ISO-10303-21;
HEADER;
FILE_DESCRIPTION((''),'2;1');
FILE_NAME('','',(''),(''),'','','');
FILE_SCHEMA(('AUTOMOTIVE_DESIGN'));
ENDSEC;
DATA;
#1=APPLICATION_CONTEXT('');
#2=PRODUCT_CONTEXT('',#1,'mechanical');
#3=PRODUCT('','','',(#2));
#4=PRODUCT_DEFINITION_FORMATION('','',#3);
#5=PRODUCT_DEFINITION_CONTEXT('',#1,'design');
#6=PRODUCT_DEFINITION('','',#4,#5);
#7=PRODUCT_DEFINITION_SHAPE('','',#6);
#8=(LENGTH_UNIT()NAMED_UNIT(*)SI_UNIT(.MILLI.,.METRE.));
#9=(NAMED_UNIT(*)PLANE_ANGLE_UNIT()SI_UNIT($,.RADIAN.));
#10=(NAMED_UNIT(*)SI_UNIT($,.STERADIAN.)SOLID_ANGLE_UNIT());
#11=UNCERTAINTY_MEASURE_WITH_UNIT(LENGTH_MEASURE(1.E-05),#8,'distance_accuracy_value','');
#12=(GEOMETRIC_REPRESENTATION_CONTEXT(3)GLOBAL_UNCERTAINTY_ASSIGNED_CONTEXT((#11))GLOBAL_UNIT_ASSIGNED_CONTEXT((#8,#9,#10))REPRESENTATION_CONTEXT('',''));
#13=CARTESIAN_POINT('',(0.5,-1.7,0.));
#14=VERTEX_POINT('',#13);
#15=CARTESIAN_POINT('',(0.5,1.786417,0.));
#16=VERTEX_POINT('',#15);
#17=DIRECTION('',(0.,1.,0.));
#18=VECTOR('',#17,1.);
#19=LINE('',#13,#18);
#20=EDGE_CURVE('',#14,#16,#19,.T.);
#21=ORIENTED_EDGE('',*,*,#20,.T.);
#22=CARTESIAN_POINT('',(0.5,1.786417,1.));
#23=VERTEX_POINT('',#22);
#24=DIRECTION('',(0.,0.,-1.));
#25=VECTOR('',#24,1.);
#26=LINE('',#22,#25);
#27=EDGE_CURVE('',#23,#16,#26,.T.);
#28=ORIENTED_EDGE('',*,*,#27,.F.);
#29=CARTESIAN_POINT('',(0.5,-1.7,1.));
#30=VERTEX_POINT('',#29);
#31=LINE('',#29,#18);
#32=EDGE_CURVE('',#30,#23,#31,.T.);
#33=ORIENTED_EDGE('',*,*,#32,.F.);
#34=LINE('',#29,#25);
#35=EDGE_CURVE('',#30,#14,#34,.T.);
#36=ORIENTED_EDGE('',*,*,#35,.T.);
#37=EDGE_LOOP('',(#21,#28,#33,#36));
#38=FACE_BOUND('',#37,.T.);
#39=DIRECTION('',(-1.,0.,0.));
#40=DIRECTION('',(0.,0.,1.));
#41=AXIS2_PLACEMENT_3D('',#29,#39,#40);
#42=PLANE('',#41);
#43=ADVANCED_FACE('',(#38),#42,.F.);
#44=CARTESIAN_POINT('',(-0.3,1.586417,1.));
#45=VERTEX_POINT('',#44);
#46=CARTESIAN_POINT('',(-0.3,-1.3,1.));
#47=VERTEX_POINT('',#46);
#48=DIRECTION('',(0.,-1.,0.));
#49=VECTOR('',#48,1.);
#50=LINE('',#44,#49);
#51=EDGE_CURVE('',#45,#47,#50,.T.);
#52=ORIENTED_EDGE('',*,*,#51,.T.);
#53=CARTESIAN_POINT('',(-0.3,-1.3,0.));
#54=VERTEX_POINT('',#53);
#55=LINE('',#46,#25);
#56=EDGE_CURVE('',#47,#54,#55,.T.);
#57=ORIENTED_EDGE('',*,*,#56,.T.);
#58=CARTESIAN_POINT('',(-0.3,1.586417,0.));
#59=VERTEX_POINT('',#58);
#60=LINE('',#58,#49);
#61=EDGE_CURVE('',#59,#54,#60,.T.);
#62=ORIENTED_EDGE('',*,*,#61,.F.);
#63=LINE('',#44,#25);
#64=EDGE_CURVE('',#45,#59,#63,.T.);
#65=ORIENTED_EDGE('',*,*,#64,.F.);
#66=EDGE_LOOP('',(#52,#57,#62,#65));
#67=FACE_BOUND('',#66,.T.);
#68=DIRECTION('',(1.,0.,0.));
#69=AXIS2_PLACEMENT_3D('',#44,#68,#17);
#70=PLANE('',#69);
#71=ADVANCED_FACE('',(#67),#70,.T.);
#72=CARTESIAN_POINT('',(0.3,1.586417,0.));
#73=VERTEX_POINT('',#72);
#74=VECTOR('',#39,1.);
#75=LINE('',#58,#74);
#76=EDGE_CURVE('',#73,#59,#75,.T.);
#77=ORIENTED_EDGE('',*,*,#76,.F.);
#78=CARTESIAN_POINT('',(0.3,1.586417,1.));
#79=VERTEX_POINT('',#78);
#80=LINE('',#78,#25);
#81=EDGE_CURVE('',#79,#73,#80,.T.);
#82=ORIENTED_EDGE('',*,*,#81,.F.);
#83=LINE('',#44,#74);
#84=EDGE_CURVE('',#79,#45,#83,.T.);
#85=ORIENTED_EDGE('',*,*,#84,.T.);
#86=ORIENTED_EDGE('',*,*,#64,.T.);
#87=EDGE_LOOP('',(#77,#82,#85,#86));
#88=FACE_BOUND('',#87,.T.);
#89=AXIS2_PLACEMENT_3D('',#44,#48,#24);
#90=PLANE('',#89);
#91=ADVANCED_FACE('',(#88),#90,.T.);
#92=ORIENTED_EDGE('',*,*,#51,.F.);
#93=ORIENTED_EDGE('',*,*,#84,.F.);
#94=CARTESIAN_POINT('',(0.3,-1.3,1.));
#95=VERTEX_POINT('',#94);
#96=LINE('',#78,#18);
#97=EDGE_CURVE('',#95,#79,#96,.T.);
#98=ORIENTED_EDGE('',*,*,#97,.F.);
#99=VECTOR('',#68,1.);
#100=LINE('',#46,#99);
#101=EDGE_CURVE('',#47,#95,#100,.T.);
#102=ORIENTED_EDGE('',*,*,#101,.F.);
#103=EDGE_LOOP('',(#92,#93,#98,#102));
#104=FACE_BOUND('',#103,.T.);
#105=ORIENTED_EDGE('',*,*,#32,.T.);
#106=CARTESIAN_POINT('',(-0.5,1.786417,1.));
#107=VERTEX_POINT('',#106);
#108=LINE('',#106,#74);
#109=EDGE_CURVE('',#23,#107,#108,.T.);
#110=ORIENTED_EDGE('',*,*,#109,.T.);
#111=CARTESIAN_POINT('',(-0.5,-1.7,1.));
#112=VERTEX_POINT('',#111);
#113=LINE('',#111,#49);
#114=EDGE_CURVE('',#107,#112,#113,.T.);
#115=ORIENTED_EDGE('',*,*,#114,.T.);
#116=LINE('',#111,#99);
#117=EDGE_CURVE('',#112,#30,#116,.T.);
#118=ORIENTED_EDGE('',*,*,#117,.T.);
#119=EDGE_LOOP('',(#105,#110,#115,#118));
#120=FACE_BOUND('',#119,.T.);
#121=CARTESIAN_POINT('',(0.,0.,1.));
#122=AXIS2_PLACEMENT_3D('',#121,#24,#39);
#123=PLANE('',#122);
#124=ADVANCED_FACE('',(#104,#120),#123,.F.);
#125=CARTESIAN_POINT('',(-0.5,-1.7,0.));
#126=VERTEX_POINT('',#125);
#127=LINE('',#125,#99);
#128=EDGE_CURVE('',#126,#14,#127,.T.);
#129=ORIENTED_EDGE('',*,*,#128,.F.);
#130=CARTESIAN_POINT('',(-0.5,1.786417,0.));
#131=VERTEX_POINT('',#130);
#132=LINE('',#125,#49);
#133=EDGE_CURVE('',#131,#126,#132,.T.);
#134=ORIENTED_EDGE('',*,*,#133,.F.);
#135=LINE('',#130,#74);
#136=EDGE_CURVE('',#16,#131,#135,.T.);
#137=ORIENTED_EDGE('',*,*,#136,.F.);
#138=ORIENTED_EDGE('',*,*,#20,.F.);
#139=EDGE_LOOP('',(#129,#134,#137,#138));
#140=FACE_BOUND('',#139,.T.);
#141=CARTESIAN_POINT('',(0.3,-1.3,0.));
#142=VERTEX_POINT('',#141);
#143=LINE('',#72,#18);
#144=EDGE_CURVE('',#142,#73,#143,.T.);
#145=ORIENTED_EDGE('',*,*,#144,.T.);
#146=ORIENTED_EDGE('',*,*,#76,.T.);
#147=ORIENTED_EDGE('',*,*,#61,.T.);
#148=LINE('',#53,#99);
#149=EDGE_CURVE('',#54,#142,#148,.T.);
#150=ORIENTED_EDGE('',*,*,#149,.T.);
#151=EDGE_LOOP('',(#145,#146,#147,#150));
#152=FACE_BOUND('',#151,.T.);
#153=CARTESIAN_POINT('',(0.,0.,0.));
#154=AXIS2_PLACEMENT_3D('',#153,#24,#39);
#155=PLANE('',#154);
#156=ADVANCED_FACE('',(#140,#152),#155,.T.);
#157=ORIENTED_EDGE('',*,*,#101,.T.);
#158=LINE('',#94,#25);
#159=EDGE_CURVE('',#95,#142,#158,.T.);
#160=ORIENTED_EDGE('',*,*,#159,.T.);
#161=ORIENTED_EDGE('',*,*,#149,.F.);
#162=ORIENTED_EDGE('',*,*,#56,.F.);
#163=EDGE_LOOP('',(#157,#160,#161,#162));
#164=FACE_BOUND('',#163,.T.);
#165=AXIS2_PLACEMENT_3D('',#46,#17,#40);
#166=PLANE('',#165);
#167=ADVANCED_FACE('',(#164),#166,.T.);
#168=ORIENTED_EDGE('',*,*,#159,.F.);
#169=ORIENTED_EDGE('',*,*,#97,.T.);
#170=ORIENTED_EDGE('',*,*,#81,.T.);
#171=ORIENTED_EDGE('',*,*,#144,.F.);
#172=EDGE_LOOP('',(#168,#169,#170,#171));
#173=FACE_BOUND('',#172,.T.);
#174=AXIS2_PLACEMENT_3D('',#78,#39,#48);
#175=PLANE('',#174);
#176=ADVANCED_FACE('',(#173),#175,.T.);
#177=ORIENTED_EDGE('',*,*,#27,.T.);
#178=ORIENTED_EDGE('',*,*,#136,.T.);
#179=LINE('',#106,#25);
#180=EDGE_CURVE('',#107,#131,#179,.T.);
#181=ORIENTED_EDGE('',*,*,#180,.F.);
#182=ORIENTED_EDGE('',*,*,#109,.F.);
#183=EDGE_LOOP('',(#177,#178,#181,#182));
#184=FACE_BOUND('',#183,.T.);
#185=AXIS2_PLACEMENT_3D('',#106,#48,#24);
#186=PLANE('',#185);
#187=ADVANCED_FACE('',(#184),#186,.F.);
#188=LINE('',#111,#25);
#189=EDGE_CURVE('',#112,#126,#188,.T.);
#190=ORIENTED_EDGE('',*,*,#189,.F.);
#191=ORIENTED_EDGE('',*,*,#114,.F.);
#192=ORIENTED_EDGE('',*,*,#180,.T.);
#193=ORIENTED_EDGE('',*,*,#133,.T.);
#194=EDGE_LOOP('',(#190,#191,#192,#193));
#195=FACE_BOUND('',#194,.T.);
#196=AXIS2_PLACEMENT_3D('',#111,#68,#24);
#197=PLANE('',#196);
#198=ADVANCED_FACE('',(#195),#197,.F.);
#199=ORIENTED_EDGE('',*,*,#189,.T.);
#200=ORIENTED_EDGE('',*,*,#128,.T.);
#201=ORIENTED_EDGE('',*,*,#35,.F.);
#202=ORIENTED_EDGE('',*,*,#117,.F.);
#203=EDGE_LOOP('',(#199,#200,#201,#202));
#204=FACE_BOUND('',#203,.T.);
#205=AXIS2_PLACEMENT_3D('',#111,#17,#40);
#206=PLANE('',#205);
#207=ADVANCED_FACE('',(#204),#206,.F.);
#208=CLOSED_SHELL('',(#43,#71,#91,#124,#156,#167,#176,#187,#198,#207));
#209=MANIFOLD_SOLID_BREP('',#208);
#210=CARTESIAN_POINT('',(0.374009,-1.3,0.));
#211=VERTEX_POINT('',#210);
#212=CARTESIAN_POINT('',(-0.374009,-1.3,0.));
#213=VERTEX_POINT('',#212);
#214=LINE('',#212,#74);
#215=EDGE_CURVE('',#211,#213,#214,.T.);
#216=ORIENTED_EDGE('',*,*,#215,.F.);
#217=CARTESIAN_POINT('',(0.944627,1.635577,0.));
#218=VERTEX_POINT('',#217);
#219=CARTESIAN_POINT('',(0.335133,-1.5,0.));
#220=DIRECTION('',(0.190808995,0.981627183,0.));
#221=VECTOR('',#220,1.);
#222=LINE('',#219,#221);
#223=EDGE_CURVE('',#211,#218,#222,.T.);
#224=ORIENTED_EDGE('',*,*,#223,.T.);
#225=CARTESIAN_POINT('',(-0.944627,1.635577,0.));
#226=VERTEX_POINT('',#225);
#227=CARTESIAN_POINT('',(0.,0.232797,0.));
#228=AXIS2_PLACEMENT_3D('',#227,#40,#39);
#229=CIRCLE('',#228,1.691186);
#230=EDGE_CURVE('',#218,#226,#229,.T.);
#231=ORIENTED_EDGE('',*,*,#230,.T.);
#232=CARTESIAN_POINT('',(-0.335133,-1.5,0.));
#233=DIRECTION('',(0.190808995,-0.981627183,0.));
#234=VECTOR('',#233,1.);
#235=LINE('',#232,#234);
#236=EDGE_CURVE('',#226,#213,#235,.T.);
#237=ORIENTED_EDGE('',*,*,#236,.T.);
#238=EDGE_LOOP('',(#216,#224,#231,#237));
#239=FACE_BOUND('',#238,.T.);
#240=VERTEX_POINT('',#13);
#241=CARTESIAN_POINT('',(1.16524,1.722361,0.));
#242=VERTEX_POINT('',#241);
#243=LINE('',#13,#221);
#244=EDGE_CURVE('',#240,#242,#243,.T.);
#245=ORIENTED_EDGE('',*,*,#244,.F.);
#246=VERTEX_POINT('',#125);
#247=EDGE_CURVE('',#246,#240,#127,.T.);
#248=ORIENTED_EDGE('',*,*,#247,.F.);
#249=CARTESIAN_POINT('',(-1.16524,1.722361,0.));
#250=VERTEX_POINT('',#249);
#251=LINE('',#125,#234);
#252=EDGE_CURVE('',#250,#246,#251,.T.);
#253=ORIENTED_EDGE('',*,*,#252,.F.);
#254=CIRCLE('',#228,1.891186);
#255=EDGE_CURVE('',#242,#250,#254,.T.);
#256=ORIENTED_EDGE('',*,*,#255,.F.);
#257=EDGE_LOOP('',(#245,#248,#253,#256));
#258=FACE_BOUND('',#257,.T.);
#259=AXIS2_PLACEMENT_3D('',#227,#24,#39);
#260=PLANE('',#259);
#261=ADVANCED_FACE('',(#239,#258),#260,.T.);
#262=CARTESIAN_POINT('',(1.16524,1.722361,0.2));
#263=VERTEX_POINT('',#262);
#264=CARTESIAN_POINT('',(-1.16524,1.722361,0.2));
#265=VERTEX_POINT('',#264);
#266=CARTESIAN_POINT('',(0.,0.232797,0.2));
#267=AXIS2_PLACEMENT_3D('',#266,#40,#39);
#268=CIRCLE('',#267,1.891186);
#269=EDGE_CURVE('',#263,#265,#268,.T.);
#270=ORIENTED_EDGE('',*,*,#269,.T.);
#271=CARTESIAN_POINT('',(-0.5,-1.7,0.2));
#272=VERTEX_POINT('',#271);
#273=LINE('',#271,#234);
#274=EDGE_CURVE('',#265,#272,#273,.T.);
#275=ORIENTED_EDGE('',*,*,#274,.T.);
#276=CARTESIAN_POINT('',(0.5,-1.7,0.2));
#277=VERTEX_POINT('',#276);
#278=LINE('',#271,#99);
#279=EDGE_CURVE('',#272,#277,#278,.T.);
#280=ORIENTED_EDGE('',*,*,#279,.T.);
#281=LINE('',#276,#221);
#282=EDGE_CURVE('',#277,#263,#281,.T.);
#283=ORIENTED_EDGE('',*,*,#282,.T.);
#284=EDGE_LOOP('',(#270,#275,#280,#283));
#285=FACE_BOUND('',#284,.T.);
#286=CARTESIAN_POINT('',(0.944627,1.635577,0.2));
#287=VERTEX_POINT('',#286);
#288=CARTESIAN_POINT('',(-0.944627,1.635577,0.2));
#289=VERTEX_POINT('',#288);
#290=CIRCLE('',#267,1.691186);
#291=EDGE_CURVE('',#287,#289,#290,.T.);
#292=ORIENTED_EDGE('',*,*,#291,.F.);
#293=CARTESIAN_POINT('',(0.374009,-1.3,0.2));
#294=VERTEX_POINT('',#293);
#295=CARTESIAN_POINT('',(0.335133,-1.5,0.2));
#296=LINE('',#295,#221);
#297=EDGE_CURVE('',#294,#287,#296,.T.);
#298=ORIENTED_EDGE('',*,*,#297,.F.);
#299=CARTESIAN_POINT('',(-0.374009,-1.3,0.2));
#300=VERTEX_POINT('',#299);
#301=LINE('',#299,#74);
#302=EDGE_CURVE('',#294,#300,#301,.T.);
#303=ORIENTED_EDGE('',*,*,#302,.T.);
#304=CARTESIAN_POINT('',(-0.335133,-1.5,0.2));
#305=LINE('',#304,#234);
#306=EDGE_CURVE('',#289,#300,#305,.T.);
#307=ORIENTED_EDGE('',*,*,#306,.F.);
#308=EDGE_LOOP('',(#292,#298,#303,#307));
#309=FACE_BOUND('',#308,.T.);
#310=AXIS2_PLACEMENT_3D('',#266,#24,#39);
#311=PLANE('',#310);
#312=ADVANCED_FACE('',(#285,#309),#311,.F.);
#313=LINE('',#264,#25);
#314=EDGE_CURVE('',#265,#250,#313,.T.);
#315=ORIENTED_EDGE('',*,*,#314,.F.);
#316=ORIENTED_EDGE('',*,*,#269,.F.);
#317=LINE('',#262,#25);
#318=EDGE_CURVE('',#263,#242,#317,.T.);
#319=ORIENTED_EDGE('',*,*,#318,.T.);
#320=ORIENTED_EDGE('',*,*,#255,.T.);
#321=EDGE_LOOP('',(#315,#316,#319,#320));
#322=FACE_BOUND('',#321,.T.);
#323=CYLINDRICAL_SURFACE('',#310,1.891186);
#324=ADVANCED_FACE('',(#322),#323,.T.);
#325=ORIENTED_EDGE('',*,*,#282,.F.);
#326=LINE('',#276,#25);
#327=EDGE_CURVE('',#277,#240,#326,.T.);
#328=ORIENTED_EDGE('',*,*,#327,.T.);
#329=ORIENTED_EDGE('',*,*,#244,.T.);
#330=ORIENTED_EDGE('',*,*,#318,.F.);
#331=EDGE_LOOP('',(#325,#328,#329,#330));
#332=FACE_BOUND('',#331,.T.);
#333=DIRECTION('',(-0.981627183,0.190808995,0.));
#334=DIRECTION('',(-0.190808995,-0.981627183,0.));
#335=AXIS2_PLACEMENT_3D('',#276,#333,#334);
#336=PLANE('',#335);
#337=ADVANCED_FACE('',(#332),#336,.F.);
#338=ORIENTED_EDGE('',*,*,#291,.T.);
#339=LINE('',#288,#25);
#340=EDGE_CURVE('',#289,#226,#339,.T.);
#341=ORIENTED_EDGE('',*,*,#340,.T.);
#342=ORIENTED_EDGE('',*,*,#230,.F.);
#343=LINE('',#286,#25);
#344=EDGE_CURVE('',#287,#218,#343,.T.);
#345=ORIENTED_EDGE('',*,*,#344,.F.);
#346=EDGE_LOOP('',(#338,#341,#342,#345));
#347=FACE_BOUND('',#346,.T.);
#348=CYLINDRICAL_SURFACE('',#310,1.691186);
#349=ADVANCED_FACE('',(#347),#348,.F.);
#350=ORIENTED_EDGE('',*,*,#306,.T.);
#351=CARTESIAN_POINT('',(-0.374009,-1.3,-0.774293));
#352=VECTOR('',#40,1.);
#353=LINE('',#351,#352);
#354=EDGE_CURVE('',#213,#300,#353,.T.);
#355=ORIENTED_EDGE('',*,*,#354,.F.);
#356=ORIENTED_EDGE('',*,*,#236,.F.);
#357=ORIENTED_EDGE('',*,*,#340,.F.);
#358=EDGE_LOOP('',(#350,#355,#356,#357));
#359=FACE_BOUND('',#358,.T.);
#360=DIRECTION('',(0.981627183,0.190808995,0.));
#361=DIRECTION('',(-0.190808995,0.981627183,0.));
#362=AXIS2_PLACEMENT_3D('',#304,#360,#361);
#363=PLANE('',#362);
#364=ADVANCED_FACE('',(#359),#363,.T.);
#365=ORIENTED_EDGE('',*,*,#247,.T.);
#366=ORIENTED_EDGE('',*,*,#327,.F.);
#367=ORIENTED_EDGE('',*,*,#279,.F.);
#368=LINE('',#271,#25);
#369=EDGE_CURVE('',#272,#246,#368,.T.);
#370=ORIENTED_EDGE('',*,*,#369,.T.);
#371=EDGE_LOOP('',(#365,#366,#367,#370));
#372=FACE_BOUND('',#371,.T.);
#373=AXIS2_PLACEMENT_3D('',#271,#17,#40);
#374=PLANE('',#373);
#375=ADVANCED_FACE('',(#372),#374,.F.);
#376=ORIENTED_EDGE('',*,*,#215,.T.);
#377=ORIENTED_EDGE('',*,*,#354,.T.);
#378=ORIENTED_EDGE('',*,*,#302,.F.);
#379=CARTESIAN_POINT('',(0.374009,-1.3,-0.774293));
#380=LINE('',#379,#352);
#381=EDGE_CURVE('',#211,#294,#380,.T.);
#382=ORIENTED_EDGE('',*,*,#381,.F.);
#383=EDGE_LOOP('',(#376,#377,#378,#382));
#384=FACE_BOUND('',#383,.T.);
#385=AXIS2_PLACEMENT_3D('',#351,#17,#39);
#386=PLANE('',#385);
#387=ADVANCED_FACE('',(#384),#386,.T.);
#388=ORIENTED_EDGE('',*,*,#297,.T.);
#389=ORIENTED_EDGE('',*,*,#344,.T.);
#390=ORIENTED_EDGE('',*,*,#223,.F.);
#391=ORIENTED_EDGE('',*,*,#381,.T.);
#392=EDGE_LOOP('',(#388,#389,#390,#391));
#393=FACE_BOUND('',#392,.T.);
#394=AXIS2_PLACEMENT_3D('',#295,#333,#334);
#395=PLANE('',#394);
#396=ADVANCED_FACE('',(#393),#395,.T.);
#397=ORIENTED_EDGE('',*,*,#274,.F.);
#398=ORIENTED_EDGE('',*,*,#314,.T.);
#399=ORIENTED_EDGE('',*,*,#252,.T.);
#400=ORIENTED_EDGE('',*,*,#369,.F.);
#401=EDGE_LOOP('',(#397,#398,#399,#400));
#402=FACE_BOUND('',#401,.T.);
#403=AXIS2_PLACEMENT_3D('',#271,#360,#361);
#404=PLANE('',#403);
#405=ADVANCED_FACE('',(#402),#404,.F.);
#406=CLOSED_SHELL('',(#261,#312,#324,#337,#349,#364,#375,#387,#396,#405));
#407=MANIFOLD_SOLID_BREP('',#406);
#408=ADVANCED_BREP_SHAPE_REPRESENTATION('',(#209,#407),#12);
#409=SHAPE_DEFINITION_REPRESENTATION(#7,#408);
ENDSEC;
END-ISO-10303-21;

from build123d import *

# Parameters (mm, degrees)
BOSS_EXTRUDE1_DEPTH = 0.2
BOSS_EXTRUDE2_DEPTH = 0.2
SKETCH4_W           = 1
SKETCH4_H           = 3.486416791
SKETCH4_W_2         = 0.6
SKETCH4_H_2         = 2.886416791
BOSS_EXTRUDE3_DEPTH = 1


with BuildPart() as part:
    # Sketch1 → Boss-Extrude1 (new body)
    with BuildSketch(Plane.XY):
        with BuildLine():
            Line((-0.5, -1.7), (-1.165239685, 1.722361495))
            ThreePointArc((-1.165239685, 1.722361495), (0, 2.123983376), (1.165239685, 1.722361495))
            Line((1.165239685, 1.722361495), (0.5, -1.7))
            Line((0.5, -1.7), (-0.5, -1.7))
        make_face()
        with BuildLine():
            Line((-0.335132723, -1.5), (-0.944627099, 1.635576741))
            ThreePointArc((-0.944627099, 1.635576741), (0, 1.923983376), (0.944627099, 1.635576741))
            Line((0.944627099, 1.635576741), (0.335132723, -1.5))
            Line((0.335132723, -1.5), (-0.335132723, -1.5))
        make_face(mode=Mode.SUBTRACT)
    extrude(amount=BOSS_EXTRUDE1_DEPTH)

    # Sketch3 → Boss-Extrude2 (add)
    with BuildSketch(Plane.XY.offset(0.2)):
        Polygon((-0.374008785, -1.3), (0.374008785, -1.3), (0.335132723, -1.5), (-0.335132723, -1.5), align=None)
    extrude(amount=-BOSS_EXTRUDE2_DEPTH)


with BuildPart() as body_2:
    # Sketch4 → Boss-Extrude3 (new body)
    with BuildSketch(Plane.XY):
        with Locations((0, 0.043208395)):
            Rectangle(SKETCH4_W, SKETCH4_H)
        with Locations((0, 0.143208395)):
            Rectangle(SKETCH4_W_2, SKETCH4_H_2, mode=Mode.SUBTRACT)
    extrude(amount=BOSS_EXTRUDE3_DEPTH)


solid = Compound([part.part, body_2.part])
